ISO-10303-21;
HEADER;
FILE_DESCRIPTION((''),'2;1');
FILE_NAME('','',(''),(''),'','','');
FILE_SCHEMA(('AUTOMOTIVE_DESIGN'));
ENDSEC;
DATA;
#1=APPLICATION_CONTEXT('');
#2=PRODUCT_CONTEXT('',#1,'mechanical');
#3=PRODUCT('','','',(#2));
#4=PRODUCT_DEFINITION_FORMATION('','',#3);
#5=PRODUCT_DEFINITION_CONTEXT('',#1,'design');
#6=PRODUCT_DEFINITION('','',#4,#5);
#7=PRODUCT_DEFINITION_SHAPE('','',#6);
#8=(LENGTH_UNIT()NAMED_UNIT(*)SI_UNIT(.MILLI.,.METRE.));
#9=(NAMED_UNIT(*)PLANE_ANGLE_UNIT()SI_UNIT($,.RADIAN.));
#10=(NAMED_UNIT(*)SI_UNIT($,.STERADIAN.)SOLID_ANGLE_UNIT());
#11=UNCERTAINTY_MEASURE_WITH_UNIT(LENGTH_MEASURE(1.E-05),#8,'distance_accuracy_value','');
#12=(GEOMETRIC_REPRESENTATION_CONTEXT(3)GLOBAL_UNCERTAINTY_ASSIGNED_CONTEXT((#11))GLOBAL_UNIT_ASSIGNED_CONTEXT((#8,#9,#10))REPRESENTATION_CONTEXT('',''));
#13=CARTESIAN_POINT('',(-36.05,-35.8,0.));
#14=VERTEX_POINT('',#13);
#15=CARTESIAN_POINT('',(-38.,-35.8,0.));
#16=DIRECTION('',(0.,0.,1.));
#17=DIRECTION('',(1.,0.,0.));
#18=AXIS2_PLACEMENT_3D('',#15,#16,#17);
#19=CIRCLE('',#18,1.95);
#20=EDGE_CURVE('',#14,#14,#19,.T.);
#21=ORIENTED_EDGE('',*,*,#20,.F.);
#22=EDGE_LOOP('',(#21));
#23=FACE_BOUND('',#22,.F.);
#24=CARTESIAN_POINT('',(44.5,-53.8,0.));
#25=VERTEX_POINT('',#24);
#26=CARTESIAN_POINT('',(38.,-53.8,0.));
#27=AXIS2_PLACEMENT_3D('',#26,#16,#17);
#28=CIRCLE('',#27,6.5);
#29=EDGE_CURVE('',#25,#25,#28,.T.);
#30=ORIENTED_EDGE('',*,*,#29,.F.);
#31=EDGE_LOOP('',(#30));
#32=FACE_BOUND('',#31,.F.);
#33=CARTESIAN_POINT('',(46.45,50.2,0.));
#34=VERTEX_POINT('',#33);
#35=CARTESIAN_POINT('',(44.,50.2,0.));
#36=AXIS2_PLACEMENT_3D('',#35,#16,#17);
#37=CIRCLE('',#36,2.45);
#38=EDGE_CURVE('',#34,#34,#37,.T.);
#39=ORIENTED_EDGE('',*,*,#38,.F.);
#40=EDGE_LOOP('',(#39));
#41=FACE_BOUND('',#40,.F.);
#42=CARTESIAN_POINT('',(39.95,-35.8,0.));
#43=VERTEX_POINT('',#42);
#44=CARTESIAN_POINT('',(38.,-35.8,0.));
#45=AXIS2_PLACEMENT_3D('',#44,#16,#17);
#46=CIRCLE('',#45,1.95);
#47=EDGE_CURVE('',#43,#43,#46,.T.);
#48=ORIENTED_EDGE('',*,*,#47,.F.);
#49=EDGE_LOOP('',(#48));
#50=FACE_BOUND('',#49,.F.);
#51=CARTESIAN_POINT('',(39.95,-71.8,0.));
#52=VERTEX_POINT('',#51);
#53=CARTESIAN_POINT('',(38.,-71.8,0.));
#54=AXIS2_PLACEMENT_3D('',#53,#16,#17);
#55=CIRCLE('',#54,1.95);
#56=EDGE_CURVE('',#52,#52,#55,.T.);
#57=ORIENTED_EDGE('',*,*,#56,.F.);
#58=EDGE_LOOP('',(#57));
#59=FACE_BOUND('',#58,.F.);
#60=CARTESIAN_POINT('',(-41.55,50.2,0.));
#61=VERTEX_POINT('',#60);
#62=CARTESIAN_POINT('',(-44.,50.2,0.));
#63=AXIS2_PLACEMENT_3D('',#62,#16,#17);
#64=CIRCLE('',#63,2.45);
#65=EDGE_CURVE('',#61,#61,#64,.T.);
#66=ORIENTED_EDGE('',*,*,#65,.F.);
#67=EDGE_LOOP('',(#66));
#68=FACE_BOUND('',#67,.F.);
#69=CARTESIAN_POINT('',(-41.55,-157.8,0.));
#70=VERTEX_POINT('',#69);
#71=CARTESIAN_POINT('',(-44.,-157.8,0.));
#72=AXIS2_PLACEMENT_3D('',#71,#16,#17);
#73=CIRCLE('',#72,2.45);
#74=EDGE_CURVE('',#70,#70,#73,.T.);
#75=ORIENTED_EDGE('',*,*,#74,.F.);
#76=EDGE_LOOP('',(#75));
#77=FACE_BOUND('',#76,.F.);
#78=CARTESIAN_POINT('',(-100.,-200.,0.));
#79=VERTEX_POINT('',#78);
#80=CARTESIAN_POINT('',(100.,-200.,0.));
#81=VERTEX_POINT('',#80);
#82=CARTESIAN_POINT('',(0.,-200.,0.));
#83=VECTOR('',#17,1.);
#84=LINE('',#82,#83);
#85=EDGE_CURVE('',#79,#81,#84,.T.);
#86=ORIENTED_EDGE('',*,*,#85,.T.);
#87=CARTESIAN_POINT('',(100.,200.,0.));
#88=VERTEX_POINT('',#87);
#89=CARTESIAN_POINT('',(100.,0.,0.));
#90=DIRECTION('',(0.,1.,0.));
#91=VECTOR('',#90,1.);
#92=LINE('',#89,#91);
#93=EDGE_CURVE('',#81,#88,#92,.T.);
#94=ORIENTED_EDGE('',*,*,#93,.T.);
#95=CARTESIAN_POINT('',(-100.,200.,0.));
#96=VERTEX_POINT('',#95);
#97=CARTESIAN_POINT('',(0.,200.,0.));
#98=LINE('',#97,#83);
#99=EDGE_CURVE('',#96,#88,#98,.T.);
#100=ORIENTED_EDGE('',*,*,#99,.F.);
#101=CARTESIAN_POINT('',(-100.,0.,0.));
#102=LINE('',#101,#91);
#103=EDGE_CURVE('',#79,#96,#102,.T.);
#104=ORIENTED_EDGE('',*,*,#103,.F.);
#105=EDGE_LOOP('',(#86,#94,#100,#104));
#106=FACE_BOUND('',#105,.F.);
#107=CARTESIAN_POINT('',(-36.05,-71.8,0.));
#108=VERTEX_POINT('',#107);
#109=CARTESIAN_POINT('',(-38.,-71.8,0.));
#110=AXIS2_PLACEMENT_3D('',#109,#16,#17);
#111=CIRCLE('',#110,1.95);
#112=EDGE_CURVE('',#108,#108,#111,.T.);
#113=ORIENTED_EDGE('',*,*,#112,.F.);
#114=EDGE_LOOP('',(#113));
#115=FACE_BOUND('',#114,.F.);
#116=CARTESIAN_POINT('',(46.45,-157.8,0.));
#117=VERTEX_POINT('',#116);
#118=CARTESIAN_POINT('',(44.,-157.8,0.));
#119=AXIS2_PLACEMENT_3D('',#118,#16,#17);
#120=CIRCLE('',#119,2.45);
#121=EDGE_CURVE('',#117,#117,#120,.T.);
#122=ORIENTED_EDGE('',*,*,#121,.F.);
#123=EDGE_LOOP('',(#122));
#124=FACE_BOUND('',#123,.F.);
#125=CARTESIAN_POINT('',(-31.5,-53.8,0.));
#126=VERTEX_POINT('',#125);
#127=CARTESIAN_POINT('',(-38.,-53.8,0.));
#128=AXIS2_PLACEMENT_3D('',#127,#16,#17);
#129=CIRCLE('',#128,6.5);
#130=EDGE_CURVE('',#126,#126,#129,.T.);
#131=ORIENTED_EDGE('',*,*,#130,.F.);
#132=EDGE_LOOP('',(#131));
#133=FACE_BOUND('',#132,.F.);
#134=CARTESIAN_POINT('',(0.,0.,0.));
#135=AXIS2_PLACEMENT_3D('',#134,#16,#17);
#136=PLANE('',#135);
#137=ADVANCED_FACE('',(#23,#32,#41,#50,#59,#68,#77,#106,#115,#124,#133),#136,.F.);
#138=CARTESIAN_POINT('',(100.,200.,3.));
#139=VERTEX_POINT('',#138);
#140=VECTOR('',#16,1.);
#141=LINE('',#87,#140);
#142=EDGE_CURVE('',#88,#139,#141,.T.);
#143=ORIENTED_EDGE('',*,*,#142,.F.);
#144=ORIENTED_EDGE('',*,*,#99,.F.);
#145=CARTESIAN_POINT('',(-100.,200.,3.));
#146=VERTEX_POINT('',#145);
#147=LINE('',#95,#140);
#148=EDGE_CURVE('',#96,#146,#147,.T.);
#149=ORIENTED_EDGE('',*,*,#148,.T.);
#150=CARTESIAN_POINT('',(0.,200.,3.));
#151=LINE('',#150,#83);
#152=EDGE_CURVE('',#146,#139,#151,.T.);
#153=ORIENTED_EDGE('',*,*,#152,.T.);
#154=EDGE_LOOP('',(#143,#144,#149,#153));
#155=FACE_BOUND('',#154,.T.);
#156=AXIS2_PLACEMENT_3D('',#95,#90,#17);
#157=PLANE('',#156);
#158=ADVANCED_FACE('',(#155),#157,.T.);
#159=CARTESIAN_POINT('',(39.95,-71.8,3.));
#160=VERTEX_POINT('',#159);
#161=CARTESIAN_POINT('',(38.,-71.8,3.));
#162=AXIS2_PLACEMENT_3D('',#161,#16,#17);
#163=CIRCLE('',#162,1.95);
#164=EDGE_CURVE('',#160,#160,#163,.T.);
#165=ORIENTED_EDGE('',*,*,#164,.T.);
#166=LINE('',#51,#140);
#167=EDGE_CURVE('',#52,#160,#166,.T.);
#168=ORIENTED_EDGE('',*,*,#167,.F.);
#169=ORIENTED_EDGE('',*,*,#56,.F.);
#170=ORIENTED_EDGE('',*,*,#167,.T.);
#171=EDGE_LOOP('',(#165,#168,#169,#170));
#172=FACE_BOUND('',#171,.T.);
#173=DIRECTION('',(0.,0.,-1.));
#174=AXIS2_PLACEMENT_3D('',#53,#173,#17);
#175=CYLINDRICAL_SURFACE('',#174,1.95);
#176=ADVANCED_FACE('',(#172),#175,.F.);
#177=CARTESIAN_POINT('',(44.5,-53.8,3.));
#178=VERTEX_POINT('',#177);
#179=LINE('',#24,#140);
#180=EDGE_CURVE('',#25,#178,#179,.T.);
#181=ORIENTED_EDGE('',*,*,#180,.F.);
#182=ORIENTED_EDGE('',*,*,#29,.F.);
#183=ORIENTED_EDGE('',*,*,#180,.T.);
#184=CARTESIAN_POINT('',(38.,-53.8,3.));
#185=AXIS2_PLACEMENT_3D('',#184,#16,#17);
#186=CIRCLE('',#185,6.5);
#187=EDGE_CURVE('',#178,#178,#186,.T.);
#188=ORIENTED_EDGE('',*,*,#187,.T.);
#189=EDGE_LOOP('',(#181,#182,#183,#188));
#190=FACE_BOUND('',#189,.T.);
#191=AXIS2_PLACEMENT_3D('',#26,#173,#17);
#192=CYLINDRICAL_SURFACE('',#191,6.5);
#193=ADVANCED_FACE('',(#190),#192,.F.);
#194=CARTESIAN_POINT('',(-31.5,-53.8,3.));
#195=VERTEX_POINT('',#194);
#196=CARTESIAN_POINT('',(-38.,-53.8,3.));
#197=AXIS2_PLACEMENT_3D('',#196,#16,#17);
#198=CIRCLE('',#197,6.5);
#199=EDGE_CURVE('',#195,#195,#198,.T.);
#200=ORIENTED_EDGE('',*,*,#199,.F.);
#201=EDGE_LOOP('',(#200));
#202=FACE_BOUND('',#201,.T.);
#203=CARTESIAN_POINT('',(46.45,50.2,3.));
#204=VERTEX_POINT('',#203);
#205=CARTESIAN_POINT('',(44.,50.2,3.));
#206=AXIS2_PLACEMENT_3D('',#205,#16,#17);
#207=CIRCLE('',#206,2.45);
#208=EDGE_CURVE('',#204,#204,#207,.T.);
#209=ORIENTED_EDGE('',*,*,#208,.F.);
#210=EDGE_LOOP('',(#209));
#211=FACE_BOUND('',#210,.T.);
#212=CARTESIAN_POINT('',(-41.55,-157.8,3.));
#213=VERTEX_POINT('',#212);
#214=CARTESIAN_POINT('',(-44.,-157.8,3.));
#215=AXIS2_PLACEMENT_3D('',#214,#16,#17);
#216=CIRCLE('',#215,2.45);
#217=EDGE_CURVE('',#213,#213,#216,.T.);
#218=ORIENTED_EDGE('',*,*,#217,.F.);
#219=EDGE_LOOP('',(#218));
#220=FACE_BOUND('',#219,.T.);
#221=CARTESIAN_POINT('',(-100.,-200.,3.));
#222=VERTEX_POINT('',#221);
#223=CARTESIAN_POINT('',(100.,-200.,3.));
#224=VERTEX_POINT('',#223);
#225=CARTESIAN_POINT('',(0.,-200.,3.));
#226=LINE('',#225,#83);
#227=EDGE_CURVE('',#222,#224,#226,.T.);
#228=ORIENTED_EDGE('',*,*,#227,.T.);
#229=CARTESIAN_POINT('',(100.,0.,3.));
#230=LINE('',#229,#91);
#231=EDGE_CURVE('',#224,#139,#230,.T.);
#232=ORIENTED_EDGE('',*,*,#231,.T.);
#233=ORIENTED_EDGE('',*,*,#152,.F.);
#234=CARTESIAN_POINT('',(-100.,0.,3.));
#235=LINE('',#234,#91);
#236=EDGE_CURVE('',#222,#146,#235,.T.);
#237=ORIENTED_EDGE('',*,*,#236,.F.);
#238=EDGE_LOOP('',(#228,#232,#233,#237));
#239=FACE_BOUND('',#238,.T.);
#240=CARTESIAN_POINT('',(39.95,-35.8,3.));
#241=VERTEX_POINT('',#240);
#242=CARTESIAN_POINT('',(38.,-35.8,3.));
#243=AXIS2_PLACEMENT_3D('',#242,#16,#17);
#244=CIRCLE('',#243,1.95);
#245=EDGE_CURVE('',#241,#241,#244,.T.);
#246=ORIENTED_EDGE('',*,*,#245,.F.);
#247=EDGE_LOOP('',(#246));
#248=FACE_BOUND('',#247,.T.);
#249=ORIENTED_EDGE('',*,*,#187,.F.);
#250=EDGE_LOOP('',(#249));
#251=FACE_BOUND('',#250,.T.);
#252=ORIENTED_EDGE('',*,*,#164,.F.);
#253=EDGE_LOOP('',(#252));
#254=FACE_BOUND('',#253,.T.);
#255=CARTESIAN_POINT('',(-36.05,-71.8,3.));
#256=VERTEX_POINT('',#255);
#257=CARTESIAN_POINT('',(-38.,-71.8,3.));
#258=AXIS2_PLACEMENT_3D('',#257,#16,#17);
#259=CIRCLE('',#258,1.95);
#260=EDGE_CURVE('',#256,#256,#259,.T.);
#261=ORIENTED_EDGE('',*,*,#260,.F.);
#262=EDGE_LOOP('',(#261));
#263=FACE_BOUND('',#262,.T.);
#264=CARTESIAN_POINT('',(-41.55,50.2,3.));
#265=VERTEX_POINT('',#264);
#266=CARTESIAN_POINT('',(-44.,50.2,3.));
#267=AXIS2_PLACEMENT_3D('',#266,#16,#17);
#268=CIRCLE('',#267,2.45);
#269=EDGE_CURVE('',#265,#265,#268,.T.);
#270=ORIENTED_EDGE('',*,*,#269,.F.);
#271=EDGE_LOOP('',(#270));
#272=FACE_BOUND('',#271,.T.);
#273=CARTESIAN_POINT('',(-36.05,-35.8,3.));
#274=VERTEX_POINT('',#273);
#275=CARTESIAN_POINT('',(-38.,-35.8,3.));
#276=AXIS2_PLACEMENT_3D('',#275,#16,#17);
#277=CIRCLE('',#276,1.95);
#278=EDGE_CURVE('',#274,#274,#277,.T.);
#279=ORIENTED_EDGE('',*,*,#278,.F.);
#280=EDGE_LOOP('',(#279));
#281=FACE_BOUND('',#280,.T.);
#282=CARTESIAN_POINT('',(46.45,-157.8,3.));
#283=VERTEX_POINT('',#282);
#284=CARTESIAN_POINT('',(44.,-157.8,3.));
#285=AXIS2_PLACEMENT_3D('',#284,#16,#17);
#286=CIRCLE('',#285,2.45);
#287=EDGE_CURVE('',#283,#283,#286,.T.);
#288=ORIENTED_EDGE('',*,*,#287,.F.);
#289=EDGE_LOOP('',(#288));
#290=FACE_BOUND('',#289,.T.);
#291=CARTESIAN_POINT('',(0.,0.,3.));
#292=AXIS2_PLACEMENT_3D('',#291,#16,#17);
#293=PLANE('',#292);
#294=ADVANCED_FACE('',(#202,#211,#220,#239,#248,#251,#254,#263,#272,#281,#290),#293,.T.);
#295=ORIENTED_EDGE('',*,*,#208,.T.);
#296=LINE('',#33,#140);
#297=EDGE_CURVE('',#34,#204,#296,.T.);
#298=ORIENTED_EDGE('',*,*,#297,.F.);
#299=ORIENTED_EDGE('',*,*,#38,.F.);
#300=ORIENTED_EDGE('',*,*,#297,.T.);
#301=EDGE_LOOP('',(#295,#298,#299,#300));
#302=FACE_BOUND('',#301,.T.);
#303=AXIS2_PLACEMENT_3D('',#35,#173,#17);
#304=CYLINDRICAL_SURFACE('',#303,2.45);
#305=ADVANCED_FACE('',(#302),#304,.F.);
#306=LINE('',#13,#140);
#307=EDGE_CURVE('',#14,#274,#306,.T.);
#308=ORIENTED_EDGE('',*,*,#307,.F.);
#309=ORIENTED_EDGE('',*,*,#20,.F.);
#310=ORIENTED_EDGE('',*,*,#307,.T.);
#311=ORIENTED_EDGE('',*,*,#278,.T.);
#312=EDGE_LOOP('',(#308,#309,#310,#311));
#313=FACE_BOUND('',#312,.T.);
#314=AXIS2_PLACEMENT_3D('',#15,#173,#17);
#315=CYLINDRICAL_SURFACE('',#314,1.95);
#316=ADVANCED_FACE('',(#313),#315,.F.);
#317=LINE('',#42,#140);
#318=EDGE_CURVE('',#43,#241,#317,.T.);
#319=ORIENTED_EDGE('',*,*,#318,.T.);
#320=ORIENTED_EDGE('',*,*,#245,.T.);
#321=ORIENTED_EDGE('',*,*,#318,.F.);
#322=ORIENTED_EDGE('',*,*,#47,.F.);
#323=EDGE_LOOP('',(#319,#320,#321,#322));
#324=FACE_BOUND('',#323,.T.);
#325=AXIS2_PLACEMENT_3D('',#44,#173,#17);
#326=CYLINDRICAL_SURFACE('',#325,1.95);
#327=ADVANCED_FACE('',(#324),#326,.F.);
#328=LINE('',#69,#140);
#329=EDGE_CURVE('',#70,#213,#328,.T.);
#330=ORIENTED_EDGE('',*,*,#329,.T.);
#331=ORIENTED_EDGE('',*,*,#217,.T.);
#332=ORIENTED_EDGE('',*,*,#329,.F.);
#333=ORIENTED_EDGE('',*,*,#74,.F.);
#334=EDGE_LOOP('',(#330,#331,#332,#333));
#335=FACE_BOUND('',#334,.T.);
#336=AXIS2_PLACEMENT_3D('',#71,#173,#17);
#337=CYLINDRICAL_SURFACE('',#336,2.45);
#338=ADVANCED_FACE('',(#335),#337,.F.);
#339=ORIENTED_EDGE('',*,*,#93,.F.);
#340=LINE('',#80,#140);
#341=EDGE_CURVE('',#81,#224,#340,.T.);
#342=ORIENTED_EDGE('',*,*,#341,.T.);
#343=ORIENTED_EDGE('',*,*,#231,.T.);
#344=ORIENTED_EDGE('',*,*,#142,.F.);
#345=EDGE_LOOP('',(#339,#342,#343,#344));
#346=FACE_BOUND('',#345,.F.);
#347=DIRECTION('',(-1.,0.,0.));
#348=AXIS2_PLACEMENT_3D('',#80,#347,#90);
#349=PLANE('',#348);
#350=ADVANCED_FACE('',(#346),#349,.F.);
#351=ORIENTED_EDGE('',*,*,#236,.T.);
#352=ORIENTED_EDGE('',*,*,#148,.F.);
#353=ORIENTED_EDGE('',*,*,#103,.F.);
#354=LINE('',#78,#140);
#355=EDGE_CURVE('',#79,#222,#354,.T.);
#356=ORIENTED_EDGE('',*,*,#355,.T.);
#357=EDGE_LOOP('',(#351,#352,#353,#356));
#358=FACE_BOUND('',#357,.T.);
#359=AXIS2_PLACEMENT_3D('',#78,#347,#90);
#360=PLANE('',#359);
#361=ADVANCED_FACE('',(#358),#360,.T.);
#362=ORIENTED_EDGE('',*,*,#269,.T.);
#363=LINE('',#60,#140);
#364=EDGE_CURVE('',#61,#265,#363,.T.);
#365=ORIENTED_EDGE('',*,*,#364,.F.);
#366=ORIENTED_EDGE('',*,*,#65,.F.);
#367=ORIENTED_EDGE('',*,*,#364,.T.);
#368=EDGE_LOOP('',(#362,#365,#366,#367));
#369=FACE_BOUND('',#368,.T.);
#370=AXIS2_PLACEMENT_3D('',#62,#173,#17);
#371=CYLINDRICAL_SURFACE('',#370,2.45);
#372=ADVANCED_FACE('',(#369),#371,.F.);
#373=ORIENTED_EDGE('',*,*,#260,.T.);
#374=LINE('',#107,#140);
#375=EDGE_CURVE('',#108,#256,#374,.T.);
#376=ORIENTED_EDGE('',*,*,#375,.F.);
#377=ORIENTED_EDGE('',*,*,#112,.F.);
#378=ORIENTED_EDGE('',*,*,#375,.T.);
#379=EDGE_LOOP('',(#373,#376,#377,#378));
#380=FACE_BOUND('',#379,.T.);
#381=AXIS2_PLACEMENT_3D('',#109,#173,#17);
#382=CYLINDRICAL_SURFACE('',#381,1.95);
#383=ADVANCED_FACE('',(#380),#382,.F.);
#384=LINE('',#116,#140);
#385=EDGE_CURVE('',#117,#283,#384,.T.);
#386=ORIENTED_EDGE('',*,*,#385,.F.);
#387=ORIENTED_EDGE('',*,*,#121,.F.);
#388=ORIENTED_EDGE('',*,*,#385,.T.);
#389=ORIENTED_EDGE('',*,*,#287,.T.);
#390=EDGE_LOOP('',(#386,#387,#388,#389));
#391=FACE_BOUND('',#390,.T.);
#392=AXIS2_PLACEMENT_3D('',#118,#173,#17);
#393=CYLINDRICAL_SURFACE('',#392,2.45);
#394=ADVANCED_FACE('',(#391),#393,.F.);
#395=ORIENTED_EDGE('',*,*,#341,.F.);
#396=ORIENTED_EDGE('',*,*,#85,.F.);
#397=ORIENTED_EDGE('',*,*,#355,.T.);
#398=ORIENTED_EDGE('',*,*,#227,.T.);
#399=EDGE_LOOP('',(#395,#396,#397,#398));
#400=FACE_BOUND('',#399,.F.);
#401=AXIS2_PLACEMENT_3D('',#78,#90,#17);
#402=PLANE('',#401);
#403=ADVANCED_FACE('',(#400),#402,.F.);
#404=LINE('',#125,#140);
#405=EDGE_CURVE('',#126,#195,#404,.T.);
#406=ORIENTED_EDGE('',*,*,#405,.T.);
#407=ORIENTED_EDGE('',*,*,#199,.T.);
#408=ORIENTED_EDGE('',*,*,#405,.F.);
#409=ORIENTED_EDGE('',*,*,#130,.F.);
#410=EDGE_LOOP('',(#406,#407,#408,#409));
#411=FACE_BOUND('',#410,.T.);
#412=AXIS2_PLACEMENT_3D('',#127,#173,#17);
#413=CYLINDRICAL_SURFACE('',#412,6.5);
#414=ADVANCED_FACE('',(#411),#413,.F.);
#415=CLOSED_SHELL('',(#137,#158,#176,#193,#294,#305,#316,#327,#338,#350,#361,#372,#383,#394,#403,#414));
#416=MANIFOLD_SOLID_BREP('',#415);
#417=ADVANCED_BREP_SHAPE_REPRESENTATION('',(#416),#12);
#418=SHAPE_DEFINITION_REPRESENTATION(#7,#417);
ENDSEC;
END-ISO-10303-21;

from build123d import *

# Parameters (mm, degrees)
SKETCH_W   = 200
SKETCH_H   = 400
SKETCH_R   = 2.45
SKETCH_R_2 = 1.95
SKETCH_R_3 = 6.5
PAD_DEPTH  = 3


with BuildPart() as part:
    # Sketch → Pad (new body)
    with BuildSketch(Plane.XY):
        Rectangle(SKETCH_W, SKETCH_H)
        with Locations((-44, 50.2)):
            Circle(SKETCH_R, mode=Mode.SUBTRACT)
        with Locations((-44, -157.8)):
            Circle(SKETCH_R, mode=Mode.SUBTRACT)
        with Locations((44, 50.2)):
            Circle(SKETCH_R, mode=Mode.SUBTRACT)
        with Locations((44, -157.8)):
            Circle(SKETCH_R, mode=Mode.SUBTRACT)
        with Locations((-38, -35.8)):
            Circle(SKETCH_R_2, mode=Mode.SUBTRACT)
        with Locations((-38, -71.8)):
            Circle(SKETCH_R_2, mode=Mode.SUBTRACT)
        with Locations((-38, -53.8)):
            Circle(SKETCH_R_3, mode=Mode.SUBTRACT)
        with Locations((38, -35.8)):
            Circle(SKETCH_R_2, mode=Mode.SUBTRACT)
        with Locations((38, -53.8)):
            Circle(SKETCH_R_3, mode=Mode.SUBTRACT)
        with Locations((38, -71.8)):
            Circle(SKETCH_R_2, mode=Mode.SUBTRACT)
    extrude(amount=PAD_DEPTH)


solid = part.part
